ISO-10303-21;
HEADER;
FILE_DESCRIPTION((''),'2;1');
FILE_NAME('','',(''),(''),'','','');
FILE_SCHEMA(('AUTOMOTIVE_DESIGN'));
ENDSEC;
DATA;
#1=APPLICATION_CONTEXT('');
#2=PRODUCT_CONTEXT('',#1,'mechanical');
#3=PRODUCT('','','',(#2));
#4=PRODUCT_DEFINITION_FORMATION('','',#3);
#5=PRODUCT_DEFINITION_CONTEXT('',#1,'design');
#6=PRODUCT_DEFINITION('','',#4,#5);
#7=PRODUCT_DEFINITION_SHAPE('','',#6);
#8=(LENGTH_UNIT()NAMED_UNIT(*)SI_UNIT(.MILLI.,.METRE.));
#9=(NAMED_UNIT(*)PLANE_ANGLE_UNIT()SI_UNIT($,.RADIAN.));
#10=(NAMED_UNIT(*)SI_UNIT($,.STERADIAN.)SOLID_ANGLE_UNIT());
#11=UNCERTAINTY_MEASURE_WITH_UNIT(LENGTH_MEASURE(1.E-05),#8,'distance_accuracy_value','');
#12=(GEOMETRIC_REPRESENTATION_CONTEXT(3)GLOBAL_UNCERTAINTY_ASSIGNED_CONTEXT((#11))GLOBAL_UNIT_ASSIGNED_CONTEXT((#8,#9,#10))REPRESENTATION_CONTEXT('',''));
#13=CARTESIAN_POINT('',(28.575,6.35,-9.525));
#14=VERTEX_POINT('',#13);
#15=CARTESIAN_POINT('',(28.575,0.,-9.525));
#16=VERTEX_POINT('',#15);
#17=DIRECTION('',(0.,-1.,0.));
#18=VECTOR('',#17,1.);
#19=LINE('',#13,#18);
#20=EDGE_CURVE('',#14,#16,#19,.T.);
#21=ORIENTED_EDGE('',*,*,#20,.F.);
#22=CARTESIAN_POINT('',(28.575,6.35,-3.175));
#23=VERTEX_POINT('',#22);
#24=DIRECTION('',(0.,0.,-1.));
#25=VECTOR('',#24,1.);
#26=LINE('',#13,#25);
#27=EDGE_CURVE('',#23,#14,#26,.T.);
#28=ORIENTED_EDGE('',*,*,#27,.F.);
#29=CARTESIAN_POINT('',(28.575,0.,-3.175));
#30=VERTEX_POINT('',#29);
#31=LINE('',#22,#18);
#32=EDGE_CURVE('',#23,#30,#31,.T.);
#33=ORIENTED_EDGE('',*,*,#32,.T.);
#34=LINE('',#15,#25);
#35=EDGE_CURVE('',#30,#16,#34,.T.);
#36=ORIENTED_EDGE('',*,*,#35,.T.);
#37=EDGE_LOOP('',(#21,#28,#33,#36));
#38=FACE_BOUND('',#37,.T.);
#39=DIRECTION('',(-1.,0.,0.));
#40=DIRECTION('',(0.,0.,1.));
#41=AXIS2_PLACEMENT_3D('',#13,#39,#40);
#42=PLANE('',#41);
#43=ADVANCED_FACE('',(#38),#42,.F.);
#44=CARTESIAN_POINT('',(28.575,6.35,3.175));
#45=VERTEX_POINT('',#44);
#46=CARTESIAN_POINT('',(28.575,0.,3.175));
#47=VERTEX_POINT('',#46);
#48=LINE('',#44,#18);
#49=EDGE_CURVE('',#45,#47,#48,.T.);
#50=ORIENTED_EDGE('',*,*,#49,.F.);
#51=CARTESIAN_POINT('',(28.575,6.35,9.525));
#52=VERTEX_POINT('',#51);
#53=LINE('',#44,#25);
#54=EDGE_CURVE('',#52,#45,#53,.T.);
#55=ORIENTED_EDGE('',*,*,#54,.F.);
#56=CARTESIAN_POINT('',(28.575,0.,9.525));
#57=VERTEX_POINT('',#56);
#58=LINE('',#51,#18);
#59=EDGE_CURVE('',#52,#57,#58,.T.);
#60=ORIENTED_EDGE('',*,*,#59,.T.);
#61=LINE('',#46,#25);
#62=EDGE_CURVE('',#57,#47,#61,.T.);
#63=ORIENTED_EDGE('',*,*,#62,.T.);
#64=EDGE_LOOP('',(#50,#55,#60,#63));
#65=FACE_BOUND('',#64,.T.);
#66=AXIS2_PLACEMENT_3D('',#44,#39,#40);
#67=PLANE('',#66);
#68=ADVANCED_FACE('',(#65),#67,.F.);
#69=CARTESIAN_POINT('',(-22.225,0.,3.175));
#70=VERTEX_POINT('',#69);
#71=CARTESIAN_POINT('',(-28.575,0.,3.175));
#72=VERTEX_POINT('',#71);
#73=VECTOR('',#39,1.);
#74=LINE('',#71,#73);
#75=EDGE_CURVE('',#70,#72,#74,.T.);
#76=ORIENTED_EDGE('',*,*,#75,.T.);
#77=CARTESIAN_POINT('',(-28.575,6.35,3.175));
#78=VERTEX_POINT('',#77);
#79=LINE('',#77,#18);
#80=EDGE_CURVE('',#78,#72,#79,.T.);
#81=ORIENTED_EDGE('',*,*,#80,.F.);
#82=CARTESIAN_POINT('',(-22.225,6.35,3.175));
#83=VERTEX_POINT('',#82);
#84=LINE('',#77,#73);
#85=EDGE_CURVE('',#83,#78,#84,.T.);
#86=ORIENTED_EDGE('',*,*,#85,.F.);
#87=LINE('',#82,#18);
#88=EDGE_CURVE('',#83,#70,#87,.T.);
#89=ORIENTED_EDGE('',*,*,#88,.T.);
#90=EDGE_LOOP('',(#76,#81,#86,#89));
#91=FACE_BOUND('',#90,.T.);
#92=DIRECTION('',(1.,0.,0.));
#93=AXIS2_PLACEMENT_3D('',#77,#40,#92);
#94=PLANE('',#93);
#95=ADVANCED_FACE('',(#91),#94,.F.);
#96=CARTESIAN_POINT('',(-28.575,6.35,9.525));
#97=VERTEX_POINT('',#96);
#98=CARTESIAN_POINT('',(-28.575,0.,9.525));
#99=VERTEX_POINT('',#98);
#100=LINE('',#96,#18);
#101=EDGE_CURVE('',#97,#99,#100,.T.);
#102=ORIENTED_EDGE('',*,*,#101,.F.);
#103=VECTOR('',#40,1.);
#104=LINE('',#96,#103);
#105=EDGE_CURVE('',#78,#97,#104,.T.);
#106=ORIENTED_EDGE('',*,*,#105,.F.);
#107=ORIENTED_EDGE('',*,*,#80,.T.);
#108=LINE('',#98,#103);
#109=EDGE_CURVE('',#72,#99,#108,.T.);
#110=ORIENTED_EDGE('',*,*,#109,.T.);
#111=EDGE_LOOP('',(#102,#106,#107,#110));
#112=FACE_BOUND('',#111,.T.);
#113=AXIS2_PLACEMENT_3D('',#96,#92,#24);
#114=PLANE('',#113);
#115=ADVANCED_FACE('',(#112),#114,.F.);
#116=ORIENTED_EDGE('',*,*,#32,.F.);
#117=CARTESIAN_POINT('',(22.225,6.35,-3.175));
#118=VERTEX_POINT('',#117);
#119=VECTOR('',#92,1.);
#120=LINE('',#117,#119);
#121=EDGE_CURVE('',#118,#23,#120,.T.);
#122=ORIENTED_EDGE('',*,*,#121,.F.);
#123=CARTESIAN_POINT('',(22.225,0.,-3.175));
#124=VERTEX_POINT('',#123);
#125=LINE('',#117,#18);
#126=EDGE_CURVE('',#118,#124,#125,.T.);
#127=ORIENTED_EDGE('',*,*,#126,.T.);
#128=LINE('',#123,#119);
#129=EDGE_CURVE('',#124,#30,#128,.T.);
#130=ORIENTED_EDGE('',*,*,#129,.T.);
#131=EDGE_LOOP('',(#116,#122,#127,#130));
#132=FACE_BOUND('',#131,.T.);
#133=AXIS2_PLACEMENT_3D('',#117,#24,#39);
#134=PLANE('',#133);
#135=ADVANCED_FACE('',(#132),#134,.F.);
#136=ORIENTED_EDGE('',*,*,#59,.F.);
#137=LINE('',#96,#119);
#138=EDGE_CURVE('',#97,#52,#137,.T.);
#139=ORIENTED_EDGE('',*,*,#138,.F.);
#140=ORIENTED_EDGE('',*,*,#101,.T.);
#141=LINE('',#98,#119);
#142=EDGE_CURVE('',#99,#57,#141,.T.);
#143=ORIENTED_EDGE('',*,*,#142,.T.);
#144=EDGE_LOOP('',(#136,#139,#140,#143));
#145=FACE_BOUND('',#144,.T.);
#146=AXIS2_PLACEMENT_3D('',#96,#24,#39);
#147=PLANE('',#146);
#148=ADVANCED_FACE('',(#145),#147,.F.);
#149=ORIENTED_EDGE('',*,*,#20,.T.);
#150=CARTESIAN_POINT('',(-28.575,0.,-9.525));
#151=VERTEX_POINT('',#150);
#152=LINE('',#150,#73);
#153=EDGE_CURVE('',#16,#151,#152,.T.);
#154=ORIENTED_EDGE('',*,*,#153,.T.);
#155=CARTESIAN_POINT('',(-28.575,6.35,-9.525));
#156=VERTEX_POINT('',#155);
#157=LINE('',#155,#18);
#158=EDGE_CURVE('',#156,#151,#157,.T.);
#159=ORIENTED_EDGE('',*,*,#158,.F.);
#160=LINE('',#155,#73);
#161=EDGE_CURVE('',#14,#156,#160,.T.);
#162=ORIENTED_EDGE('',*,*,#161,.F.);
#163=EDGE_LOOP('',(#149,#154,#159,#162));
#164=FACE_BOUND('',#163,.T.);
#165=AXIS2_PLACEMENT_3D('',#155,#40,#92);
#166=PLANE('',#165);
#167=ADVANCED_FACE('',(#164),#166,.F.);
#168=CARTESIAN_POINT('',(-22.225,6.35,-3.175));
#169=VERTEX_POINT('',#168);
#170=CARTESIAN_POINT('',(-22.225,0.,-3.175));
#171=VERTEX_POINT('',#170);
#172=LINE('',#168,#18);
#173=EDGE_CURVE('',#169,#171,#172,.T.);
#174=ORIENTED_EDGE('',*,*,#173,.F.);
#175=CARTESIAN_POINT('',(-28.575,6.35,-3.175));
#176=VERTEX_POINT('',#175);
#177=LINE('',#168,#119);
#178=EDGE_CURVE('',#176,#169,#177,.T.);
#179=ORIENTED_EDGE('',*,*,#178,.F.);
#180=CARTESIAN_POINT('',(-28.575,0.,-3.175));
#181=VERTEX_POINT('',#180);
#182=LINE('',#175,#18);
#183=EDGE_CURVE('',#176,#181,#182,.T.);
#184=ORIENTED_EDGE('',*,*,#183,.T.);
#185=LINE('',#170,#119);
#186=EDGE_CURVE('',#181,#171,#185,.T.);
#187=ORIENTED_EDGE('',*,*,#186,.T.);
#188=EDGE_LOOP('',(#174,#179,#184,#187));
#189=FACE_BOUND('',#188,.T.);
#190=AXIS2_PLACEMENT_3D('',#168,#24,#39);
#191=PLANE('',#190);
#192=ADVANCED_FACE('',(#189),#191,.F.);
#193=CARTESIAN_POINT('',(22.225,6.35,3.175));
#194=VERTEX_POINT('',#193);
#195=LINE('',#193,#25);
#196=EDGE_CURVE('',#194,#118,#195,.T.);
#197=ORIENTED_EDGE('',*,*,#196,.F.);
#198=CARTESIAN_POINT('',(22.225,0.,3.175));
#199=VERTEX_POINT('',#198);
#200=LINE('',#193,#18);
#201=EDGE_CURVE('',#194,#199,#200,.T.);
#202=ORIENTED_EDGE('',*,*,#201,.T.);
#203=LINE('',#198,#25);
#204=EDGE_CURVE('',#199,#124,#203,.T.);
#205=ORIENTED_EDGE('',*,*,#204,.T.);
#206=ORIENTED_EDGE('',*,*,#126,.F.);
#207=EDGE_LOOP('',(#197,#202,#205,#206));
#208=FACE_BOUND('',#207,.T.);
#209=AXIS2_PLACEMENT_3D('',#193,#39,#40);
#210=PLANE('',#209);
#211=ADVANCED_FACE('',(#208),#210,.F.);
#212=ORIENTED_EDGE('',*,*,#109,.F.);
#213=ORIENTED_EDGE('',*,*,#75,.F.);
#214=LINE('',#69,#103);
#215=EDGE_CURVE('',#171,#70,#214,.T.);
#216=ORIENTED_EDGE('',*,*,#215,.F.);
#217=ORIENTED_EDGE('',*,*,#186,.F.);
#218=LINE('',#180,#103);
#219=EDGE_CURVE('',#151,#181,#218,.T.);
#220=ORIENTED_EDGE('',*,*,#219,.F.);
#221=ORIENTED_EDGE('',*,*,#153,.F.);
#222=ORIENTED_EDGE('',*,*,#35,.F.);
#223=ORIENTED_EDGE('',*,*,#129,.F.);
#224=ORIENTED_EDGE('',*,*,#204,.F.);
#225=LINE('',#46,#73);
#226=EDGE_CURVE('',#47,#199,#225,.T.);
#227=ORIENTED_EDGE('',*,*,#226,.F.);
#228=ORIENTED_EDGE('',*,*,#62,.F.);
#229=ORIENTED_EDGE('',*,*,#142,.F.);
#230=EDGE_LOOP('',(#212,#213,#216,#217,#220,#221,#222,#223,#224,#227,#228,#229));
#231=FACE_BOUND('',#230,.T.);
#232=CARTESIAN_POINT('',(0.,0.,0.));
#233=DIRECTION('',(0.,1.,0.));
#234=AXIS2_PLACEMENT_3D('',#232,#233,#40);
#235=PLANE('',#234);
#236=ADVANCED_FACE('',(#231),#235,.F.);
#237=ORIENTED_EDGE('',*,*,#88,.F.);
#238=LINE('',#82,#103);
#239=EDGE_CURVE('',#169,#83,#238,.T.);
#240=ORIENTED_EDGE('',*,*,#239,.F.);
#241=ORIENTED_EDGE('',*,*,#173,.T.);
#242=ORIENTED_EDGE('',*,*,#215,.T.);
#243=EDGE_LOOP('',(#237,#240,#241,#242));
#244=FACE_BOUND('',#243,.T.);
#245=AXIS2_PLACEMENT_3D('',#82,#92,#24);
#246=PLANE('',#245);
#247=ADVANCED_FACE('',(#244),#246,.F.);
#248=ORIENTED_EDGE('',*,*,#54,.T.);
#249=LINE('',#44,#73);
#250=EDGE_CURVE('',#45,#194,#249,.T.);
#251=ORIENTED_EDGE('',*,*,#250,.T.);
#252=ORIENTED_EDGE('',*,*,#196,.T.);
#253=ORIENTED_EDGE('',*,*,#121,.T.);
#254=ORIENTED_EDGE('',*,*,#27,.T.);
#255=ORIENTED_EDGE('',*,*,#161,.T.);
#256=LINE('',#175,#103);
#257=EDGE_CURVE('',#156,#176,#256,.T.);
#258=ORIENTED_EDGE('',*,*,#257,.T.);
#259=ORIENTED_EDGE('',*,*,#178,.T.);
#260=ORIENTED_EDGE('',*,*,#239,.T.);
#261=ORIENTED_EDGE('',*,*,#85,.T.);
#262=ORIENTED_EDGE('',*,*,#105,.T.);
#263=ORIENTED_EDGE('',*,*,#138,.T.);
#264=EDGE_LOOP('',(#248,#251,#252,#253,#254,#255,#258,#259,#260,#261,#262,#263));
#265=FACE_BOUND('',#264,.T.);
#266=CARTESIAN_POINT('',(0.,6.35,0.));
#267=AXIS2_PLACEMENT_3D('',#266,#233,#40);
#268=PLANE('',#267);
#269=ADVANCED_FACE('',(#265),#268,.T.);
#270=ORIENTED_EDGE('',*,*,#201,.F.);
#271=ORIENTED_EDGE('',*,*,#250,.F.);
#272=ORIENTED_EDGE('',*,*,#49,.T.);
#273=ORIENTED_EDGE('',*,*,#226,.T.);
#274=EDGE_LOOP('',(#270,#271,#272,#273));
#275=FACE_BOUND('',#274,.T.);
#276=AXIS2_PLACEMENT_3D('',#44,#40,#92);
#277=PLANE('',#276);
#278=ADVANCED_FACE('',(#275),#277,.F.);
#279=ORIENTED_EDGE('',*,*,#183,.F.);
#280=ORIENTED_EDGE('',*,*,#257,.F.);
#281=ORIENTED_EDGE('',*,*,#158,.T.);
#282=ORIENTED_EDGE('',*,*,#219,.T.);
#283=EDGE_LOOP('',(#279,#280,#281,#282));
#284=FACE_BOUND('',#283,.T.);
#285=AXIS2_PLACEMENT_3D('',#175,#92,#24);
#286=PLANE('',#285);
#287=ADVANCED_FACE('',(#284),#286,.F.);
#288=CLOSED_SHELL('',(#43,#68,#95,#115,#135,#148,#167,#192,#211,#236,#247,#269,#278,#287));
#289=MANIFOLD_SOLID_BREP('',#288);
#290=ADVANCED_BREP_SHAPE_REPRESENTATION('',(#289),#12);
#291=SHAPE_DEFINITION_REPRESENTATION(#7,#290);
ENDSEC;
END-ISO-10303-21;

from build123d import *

# Parameters (mm, degrees)
BOSS_EXTRUDE1_DEPTH = 6.35


with BuildPart() as part:
    # Sketch1 → Boss-Extrude1 (new body)
    with BuildSketch(Plane(origin=(0, 0, 0), x_dir=(1, 0, 0), z_dir=(0, 1, 0))):
        Polygon((-28.575, -9.525), (-28.575, -3.175), (-22.225, -3.175), (-22.225, 3.175), (-28.575, 3.175), (-28.575, 9.525), (28.575, 9.525), (28.575, 3.175), (22.225, 3.175), (22.225, -3.175), (28.575, -3.175), (28.575, -9.525), align=None)
    extrude(amount=BOSS_EXTRUDE1_DEPTH)


solid = part.part
